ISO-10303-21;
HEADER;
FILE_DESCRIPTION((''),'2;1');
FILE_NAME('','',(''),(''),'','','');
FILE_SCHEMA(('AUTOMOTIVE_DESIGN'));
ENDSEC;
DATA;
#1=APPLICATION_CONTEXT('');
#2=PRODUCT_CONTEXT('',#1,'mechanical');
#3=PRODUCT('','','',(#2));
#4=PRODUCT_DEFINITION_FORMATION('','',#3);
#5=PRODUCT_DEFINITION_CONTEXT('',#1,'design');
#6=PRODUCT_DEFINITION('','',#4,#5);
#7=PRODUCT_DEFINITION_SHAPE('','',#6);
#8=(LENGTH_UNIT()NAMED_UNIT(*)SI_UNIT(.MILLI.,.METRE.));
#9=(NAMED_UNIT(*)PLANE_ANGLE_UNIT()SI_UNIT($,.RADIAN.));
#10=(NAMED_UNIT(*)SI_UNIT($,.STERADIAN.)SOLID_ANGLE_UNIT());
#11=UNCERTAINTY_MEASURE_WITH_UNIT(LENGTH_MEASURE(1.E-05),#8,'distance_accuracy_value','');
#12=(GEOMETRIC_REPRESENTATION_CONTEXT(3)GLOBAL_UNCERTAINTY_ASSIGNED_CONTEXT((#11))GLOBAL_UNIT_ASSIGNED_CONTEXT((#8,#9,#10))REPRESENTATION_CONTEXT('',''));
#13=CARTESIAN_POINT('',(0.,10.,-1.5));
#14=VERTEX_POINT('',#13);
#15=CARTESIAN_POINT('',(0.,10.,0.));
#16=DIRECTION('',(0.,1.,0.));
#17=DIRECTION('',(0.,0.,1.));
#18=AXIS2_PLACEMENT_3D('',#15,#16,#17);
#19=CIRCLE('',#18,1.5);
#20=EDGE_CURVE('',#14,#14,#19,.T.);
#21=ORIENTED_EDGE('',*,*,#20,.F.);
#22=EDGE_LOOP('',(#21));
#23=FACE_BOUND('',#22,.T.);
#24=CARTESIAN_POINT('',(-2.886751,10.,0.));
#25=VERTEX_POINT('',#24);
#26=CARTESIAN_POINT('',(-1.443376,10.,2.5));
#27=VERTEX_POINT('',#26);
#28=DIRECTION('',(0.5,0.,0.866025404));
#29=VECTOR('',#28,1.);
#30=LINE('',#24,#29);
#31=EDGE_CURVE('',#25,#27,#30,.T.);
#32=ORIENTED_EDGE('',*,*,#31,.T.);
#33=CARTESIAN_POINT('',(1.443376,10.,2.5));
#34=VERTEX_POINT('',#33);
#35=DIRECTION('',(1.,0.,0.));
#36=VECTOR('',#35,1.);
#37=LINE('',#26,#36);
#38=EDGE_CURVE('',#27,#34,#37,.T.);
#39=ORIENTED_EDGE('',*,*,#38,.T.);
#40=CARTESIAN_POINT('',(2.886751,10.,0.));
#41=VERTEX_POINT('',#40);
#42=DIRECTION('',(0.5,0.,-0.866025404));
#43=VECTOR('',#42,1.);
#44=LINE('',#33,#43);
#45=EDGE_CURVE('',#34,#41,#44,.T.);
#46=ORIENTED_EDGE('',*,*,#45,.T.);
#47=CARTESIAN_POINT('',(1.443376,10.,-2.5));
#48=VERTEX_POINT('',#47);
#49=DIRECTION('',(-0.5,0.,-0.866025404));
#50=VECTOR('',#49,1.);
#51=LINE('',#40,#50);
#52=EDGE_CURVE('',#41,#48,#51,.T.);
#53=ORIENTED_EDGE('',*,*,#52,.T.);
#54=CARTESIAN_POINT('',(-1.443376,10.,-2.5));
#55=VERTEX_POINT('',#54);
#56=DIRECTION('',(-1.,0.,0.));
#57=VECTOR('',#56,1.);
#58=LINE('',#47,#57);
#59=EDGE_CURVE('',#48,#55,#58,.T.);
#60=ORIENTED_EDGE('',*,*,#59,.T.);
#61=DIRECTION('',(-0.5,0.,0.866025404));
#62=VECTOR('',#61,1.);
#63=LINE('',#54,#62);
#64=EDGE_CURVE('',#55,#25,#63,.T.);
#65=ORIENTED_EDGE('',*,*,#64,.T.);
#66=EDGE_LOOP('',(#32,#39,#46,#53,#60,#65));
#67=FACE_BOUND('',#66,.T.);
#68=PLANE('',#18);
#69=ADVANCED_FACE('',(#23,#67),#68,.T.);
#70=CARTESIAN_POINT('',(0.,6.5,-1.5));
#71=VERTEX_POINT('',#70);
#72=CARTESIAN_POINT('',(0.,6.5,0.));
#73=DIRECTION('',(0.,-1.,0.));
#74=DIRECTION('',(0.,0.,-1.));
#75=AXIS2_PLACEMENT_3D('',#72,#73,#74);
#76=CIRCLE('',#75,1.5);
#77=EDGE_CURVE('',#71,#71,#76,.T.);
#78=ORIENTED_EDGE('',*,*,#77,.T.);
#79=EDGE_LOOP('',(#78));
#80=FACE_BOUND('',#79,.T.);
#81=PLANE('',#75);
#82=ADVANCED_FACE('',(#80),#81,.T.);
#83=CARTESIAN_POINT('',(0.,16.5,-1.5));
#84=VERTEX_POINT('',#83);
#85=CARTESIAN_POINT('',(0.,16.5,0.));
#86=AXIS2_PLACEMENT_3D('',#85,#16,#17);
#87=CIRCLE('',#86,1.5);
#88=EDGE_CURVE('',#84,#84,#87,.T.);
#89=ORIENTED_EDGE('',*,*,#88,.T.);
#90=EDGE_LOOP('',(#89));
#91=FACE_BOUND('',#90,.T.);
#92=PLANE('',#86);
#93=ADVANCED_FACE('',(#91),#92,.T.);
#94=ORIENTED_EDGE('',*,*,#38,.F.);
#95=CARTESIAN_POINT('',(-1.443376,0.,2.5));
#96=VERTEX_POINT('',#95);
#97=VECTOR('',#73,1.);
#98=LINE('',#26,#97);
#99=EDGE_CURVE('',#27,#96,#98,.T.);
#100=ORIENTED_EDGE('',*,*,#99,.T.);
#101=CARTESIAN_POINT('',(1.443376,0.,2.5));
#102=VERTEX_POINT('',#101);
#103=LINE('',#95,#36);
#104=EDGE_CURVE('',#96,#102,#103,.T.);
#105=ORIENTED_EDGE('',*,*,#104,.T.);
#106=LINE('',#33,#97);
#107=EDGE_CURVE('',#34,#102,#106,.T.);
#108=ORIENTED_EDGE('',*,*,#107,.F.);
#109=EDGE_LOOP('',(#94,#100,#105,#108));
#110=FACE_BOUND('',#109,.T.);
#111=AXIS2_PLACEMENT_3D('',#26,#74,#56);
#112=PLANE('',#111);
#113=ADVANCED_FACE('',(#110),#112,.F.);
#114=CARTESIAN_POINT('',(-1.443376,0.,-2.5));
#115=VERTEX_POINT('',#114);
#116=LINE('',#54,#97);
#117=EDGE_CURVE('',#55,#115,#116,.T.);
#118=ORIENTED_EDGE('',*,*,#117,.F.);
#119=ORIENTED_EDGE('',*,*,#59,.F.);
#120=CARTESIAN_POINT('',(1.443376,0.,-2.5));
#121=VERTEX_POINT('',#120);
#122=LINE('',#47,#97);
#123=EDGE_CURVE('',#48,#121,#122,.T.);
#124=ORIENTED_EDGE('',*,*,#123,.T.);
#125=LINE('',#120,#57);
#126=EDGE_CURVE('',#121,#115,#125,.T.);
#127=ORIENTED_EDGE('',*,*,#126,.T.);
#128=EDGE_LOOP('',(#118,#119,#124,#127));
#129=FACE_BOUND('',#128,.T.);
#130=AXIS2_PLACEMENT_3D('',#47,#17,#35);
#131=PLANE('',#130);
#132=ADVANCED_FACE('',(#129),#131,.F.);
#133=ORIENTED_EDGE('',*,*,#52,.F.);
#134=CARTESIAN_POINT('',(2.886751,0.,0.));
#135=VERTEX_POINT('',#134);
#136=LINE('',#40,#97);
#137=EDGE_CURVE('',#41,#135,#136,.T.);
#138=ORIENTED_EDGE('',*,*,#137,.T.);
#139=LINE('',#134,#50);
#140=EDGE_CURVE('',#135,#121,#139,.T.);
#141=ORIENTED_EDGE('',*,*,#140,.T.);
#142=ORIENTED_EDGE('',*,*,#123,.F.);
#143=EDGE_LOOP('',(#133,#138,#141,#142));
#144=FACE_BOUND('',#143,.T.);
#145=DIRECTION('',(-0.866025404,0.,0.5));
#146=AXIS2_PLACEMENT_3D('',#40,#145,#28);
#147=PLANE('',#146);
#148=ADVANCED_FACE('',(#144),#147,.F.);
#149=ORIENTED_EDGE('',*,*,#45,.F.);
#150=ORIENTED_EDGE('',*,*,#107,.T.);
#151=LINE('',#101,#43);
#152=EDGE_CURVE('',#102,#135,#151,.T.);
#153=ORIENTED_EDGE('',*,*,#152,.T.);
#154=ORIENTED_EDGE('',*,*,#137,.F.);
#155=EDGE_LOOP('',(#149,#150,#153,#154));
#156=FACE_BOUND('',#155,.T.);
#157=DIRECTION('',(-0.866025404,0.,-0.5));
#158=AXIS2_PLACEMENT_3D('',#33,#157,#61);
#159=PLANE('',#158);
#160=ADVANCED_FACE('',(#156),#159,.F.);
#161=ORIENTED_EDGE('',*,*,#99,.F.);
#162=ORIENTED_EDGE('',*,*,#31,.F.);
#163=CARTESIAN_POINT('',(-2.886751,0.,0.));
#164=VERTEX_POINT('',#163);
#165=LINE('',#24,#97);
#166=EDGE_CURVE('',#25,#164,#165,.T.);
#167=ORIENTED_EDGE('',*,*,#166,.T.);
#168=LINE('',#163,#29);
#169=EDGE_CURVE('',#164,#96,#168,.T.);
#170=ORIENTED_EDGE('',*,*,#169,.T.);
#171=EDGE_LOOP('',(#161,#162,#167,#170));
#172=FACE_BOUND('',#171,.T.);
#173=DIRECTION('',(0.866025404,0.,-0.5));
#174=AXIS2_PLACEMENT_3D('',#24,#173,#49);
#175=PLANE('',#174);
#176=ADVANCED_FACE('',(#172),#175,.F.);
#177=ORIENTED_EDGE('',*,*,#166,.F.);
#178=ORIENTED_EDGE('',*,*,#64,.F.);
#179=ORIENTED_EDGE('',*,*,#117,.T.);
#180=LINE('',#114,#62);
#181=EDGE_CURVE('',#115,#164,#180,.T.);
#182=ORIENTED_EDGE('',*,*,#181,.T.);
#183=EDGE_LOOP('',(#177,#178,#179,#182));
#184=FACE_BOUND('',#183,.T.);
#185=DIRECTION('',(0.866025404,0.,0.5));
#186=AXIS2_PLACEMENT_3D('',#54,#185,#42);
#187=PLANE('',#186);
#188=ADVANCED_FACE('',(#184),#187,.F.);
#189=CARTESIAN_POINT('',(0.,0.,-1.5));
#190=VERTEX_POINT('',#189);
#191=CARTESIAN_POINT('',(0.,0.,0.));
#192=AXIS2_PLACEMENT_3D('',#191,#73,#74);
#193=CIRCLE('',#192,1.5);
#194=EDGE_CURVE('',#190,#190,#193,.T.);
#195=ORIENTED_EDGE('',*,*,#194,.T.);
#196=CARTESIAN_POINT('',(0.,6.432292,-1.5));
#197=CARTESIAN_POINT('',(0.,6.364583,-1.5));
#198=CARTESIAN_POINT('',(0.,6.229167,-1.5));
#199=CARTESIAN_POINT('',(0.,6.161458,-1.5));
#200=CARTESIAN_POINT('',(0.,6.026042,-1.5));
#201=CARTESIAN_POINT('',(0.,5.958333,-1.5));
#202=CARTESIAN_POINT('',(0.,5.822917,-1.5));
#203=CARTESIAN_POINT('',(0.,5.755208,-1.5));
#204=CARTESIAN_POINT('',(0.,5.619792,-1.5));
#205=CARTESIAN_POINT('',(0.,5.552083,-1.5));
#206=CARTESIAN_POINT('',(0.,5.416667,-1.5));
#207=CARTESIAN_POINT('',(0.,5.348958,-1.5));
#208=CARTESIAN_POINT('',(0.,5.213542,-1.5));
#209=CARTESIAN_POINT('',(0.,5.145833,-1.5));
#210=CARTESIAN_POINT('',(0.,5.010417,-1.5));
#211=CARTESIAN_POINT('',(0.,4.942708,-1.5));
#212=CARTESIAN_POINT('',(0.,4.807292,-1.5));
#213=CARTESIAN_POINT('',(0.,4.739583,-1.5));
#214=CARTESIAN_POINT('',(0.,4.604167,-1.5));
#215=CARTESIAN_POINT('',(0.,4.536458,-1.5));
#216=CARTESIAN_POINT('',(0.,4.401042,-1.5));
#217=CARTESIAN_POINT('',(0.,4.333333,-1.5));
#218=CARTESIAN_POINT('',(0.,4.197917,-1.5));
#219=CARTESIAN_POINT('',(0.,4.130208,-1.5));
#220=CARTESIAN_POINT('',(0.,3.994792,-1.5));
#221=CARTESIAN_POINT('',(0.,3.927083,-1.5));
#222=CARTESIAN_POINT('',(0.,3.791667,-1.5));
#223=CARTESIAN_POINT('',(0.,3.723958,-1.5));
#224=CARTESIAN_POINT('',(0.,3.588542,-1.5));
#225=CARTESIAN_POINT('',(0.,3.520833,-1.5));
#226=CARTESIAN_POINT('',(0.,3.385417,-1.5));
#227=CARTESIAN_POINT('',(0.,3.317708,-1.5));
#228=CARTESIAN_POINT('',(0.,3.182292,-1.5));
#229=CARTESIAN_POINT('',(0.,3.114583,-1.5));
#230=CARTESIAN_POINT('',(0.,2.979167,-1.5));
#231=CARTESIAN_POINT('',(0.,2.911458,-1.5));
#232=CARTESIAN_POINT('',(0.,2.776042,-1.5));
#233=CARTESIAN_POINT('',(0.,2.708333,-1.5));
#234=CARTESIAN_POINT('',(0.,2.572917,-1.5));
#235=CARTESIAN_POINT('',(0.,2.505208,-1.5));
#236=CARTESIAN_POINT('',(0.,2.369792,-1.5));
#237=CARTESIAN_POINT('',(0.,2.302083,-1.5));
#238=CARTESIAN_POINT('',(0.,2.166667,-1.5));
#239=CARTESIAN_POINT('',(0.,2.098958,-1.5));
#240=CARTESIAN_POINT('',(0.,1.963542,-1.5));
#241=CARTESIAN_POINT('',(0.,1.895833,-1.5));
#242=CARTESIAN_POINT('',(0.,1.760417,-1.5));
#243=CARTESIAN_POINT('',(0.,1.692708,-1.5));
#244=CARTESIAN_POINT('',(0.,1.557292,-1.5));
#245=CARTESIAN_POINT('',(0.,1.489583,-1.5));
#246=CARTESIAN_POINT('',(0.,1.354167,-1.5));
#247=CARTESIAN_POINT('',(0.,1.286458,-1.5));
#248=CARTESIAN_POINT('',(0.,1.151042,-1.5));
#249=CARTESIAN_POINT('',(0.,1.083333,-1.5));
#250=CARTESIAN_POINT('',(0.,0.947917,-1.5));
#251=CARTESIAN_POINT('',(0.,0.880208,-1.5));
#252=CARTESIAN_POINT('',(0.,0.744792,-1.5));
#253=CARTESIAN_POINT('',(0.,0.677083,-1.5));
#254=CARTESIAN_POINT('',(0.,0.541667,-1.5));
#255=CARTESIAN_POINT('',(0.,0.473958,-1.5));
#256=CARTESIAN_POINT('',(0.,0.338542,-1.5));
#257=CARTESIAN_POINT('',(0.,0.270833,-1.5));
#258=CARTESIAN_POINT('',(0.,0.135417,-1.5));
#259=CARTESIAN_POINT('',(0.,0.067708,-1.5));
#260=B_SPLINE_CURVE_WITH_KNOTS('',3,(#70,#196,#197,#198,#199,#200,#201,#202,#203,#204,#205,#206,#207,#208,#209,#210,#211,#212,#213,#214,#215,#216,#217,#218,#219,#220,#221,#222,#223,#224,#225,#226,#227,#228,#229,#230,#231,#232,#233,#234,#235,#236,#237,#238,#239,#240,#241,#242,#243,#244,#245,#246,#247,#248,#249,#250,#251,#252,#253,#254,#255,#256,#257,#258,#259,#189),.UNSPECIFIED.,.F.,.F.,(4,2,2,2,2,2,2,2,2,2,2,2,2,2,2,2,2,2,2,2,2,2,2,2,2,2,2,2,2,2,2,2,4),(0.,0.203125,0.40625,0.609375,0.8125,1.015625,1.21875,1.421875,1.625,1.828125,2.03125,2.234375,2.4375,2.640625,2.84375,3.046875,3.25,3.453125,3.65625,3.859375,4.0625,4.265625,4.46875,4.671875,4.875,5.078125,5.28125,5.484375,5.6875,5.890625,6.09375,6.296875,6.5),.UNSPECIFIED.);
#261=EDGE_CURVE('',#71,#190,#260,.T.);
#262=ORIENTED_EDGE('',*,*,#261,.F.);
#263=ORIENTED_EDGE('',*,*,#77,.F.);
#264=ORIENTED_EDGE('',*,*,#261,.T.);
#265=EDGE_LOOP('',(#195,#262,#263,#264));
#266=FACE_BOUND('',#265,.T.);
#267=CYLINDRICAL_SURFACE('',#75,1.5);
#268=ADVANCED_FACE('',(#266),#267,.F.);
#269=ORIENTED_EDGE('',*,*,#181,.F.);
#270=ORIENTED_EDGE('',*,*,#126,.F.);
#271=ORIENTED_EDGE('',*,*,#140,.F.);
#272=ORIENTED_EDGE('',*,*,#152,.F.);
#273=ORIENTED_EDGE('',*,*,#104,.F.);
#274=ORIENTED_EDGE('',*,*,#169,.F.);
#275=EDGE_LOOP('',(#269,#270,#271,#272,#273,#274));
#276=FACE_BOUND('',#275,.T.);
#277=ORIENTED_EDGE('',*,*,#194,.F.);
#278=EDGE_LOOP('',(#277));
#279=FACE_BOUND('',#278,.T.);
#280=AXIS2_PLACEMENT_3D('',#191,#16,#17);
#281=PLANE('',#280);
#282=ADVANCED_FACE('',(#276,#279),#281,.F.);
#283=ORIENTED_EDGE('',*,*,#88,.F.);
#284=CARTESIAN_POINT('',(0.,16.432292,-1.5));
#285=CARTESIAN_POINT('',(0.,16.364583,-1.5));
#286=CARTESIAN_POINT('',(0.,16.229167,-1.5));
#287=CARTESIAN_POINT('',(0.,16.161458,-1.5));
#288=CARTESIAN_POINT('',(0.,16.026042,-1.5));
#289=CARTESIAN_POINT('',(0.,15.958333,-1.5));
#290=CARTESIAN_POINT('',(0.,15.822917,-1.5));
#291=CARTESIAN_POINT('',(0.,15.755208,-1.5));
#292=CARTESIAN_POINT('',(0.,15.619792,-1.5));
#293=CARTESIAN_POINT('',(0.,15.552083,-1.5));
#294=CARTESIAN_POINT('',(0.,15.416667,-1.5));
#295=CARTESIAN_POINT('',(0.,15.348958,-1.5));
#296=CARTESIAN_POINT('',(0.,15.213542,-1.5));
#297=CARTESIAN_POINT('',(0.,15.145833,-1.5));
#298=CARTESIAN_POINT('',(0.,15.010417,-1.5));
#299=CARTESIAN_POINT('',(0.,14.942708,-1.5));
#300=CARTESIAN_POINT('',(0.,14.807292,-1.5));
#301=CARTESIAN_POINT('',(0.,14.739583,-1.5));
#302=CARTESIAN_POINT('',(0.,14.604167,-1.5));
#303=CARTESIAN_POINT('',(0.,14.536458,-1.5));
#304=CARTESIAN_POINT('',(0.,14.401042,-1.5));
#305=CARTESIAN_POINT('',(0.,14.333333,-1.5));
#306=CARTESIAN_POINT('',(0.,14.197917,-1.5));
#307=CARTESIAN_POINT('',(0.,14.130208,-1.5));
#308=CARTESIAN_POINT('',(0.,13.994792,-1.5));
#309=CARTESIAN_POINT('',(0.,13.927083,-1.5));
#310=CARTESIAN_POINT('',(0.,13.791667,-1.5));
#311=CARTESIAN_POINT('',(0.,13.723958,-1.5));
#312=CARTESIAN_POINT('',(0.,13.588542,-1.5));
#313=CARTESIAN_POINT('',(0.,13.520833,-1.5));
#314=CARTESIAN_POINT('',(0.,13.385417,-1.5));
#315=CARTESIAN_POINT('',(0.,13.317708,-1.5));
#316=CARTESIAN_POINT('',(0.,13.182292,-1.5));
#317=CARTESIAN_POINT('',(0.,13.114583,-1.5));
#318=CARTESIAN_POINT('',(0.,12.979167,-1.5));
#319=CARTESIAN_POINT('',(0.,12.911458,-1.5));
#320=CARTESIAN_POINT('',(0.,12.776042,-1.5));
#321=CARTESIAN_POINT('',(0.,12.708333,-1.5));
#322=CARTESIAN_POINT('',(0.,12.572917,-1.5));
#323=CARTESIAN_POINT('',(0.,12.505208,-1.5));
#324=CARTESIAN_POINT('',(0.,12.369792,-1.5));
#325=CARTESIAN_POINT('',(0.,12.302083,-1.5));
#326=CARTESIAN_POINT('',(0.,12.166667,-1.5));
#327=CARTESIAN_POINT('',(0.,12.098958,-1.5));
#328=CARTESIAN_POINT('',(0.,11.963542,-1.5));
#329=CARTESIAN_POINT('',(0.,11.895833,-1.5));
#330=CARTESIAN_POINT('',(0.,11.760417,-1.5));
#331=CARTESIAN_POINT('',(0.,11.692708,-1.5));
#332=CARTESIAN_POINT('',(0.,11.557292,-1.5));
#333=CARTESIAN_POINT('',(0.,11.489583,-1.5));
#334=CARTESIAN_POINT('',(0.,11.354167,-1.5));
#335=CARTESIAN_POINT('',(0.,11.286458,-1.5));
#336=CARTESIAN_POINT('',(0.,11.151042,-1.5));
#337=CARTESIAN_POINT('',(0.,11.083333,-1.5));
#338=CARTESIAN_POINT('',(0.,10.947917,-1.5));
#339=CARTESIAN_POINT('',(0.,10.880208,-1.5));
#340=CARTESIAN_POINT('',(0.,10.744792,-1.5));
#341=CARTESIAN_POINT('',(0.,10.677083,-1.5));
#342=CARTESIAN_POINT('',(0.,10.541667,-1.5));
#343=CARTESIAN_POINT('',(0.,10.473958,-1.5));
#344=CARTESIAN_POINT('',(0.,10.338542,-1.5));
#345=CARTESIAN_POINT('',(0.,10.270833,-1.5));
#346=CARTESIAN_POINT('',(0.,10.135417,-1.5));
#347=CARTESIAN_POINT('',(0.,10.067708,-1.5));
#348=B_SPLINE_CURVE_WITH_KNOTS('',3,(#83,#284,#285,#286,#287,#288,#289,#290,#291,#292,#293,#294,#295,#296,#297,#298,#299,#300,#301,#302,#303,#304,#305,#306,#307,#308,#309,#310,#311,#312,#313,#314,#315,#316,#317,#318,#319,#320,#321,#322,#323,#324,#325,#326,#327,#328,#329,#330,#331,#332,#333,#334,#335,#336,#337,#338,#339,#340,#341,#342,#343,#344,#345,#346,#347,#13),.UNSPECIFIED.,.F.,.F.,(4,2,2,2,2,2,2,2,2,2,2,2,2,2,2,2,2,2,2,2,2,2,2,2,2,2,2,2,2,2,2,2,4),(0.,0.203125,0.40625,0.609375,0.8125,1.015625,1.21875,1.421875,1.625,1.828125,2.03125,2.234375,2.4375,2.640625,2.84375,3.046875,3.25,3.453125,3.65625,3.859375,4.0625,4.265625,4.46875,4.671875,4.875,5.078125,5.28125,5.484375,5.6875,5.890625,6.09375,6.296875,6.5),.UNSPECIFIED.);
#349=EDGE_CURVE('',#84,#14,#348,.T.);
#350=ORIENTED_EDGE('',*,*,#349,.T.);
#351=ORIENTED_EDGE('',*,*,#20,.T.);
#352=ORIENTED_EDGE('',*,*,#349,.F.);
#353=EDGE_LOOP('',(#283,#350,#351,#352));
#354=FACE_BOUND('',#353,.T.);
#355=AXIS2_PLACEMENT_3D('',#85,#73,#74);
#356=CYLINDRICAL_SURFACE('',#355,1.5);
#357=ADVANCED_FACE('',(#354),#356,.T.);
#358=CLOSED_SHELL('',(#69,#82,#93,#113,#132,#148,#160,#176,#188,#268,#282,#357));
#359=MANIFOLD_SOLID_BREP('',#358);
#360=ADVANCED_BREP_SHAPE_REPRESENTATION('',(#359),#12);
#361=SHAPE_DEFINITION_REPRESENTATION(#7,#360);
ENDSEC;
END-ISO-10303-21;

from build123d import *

# Parameters (mm, degrees)
EXTRUDE_1_DEPTH     = 10
SKETCH_2_R          = 1.5
EXTRUDE_2_DEPTH     = 6.5
SKETCH_3_R          = 1.5
CUT_EXTRUDE_1_DEPTH = 6.5


with BuildPart() as part:
    # ｽｹｯﾁ1 → ﾎﾞｽ - 押し出し1 (new body)
    with BuildSketch(Plane(origin=(0, 0, 0), x_dir=(1, 0, 0), z_dir=(0, 1, 0))):
        Polygon((1.443375673, -2.5), (2.886751346, 0), (1.443375673, 2.5), (-1.443375673, 2.5), (-2.886751346, 0), (-1.443375673, -2.5), align=None)
    extrude(amount=EXTRUDE_1_DEPTH)

    # ｽｹｯﾁ2 → ﾎﾞｽ - 押し出し2 (add)
    with BuildSketch(Plane(origin=(0, 10, 0), x_dir=(1, 0, 0), z_dir=(0, 1, 0))):
        with Locations(Location((0, 0, 0), (0, 0, 90))):
            Circle(SKETCH_2_R)
    extrude(amount=EXTRUDE_2_DEPTH)

    # ｽｹｯﾁ3 → ｶｯﾄ - 押し出し1 (cut)
    with BuildSketch(Plane.XZ):
        with Locations(Location((0, 0, 0), (0, 0, 270))):
            Circle(SKETCH_3_R)
    extrude(amount=-CUT_EXTRUDE_1_DEPTH, mode=Mode.SUBTRACT)


solid = part.part
